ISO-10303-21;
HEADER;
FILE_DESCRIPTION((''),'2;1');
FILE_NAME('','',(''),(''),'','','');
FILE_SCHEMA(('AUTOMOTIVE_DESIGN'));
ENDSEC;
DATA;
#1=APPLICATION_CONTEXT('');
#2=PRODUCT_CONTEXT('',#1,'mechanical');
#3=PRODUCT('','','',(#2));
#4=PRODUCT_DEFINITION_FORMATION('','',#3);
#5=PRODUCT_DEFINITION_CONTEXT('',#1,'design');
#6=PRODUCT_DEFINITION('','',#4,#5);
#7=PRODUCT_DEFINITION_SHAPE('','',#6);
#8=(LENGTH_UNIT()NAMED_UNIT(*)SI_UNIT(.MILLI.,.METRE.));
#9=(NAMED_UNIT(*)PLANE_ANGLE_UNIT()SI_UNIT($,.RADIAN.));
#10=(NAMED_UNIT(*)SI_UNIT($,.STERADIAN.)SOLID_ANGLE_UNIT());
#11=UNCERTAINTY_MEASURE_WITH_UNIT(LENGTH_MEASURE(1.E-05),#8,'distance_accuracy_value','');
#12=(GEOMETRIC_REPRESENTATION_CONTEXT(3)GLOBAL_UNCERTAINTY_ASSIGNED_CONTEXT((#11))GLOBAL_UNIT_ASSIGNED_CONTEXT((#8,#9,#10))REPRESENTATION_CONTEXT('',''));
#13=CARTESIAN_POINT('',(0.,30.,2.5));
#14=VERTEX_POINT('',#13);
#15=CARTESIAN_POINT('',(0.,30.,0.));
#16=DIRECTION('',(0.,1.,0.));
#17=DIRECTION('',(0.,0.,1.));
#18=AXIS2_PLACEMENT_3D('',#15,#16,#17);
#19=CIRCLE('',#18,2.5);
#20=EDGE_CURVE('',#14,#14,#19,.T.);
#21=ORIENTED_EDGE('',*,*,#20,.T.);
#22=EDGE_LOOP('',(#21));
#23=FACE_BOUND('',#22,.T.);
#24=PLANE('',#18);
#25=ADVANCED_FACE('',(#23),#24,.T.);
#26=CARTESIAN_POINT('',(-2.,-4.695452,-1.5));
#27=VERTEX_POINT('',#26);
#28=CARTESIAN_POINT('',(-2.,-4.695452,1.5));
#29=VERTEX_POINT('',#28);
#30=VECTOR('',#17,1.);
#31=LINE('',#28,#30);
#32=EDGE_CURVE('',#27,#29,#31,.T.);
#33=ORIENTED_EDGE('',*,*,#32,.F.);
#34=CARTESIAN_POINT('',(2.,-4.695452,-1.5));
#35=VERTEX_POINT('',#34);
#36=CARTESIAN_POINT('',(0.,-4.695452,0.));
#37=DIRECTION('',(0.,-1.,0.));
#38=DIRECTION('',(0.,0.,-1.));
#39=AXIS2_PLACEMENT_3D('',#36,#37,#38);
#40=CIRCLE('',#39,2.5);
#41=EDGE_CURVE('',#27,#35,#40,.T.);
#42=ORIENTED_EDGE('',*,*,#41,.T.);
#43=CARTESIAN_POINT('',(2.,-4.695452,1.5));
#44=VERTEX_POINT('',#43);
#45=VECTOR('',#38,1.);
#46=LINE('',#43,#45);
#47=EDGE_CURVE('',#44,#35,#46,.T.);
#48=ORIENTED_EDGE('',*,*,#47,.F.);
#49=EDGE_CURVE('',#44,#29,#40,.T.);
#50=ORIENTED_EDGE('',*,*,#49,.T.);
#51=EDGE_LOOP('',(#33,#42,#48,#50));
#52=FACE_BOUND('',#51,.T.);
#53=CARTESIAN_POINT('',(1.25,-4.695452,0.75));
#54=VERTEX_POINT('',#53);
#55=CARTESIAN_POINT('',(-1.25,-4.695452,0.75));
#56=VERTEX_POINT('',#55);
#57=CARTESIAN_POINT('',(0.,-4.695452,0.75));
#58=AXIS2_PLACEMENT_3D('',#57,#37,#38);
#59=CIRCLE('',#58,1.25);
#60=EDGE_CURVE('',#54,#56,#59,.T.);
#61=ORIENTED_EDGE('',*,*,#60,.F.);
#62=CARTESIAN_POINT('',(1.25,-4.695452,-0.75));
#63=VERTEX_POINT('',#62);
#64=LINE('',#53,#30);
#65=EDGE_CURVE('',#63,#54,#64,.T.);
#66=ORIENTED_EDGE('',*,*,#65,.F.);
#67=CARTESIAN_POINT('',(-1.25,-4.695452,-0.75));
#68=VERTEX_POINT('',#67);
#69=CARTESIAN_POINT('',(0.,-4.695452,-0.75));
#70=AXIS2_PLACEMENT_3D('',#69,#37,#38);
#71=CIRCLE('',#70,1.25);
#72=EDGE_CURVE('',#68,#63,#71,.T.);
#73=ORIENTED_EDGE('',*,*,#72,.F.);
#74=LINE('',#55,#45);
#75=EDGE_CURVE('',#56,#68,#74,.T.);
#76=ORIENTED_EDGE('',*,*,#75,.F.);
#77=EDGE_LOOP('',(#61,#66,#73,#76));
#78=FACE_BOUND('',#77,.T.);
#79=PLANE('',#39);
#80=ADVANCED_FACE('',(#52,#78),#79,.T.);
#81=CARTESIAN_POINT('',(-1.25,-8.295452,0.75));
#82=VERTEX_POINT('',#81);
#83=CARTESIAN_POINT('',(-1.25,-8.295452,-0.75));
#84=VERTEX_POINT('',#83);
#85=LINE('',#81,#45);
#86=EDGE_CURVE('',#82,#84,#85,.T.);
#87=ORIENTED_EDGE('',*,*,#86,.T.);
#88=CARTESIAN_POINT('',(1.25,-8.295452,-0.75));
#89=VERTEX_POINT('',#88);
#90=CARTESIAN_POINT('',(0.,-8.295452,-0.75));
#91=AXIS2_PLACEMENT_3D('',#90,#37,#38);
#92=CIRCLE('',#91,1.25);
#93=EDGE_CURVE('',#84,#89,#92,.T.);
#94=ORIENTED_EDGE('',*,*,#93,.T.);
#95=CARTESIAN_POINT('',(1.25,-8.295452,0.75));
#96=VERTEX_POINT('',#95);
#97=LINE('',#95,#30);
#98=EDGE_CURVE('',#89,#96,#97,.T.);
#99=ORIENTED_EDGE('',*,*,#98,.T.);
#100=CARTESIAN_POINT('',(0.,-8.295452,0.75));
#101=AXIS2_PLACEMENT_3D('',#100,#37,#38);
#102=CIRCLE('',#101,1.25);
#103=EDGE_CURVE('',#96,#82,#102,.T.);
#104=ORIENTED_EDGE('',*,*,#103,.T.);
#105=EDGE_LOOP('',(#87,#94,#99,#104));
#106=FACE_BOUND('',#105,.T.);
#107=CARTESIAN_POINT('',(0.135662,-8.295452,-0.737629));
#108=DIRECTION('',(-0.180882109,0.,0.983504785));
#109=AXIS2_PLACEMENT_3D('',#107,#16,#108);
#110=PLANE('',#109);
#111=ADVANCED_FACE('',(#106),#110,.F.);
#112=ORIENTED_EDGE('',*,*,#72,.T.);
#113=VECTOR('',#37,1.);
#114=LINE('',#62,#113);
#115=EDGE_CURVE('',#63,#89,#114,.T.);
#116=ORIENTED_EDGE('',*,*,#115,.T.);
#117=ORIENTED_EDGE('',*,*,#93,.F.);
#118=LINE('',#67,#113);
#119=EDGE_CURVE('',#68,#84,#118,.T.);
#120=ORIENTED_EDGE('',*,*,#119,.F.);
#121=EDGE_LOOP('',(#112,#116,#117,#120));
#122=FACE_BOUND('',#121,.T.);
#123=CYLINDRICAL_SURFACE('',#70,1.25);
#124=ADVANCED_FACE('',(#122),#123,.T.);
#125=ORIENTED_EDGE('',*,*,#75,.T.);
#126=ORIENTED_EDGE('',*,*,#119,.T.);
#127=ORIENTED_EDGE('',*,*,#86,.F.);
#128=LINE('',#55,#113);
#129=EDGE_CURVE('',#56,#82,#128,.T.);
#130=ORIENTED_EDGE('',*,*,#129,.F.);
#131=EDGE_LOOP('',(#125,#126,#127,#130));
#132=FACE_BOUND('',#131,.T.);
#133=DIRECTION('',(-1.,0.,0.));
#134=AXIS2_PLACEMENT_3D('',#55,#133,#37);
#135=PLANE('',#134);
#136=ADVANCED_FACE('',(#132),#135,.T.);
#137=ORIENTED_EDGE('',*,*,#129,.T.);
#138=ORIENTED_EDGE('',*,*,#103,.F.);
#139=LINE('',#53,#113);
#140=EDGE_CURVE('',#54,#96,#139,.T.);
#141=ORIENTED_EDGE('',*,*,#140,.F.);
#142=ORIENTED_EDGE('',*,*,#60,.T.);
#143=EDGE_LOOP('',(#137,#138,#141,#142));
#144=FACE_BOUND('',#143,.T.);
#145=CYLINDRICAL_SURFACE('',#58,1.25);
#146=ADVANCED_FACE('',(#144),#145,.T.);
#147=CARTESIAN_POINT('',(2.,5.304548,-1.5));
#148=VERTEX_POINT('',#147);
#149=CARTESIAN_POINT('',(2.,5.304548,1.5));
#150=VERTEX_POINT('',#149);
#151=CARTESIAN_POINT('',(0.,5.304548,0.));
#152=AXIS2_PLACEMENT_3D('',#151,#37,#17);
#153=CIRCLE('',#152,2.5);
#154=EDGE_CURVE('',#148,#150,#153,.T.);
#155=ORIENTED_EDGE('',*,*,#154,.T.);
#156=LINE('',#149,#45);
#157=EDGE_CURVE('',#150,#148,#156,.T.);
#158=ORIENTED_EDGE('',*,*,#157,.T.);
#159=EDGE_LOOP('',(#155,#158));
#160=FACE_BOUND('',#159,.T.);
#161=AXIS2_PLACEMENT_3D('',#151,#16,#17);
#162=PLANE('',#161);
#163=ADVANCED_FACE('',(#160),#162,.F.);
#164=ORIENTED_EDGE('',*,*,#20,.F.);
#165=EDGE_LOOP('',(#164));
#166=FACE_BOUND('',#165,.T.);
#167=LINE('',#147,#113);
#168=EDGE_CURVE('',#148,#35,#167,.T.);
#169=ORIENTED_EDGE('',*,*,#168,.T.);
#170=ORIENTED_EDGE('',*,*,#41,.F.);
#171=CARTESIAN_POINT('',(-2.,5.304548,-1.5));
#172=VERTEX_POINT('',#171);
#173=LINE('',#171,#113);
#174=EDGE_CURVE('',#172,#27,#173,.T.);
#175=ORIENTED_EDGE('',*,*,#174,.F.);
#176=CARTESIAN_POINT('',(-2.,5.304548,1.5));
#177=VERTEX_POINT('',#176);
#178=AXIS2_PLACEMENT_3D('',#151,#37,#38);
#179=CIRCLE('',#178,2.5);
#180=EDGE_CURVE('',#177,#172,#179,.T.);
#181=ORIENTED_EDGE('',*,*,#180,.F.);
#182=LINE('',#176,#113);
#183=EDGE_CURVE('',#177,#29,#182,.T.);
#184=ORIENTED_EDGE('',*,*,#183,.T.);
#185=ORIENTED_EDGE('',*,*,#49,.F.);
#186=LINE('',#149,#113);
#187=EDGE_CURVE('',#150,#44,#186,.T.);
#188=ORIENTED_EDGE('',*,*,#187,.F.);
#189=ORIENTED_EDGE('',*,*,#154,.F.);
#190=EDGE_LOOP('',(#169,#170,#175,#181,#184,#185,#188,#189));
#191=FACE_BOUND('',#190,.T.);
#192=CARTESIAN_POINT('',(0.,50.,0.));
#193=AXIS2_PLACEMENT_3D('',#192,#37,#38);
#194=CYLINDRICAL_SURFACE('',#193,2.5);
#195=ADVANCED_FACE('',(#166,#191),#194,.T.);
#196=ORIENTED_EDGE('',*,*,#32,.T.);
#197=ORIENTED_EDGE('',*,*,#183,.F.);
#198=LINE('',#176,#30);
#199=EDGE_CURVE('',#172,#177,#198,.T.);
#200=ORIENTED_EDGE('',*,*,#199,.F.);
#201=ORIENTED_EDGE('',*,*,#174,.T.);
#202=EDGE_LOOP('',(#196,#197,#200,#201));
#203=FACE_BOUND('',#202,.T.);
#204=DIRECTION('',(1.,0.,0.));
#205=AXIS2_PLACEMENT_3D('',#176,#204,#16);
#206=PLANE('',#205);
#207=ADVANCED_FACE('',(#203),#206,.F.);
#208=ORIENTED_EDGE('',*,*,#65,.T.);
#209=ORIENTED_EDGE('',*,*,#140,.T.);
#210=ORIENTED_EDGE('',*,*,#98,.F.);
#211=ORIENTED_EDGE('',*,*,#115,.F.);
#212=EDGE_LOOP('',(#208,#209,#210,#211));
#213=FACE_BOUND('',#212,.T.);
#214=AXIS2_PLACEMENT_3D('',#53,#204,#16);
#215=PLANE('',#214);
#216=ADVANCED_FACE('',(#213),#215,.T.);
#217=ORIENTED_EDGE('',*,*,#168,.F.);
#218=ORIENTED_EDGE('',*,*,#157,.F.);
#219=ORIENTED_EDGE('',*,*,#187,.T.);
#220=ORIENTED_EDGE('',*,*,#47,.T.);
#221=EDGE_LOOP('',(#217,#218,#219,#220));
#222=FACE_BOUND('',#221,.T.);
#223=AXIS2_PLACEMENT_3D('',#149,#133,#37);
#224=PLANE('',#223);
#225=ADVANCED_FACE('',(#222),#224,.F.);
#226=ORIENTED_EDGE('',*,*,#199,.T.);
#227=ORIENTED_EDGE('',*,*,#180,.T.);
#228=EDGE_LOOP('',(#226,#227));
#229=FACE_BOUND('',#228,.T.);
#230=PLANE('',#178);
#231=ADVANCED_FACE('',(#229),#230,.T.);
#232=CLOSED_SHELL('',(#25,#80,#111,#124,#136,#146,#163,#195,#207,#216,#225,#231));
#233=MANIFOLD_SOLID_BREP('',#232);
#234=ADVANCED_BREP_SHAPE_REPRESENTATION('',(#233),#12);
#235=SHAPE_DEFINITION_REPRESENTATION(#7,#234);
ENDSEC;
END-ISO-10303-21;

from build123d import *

# Parameters (mm, degrees)
SKETCH1_R           = 2.5
BOSS_EXTRUDE1_DEPTH = 50
BOSS_EXTRUDE2_START = 8.295452371
SKETCH2_R           = 2.5
BOSS_EXTRUDE2_DEPTH = 8.295452371
SKETCH4_OUTSIDE_W   = 18.744
SKETCH4_OUTSIDE_H   = 18.744
CUT_EXTRUDE1_DEPTH  = 3.6
CUT_EXTRUDE2_DEPTH  = 10
CUT_EXTRUDE3_START  = -20
SKETCH7_R           = 2.5
CUT_EXTRUDE3_DEPTH  = 20


with BuildPart() as part:
    # Sketch1 → Boss-Extrude1 (new body)
    with BuildSketch(Plane(origin=(0, 0, 0), x_dir=(1, 0, 0), z_dir=(0, 1, 0))):
        with Locations(Location((0, 0, 0), (0, 0, 270))):
            Circle(SKETCH1_R)
    extrude(amount=BOSS_EXTRUDE1_DEPTH)

    # Sketch2 → Boss-Extrude2 (add)
    with BuildSketch(Plane(origin=(0, 0, 0), x_dir=(-1, 0, 0), z_dir=(0, -1, 0)).offset(BOSS_EXTRUDE2_START)):
        with Locations(Location((0, 0, 0), (0, 0, 270))):
            Circle(SKETCH2_R)
    extrude(amount=-BOSS_EXTRUDE2_DEPTH)

    # Sketch4 outside → Cut-Extrude1 (cut)
    with BuildSketch(Plane.XZ.offset(8.295452371)):
        Rectangle(SKETCH4_OUTSIDE_W, SKETCH4_OUTSIDE_H)
        with BuildLine():
            Line((1.25, 0.75), (1.25, -0.75))
            ThreePointArc((1.25, -0.75), (0, -2), (-1.25, -0.75))
            Line((-1.25, -0.75), (-1.25, 0.75))
            ThreePointArc((-1.25, 0.75), (0, 2), (1.25, 0.75))
        make_face(mode=Mode.SUBTRACT)
    extrude(amount=-CUT_EXTRUDE1_DEPTH, mode=Mode.SUBTRACT)

    # Sketch5 → Cut-Extrude2 (cut)
    with BuildSketch(Plane(origin=(0, -4.695452371, 0), x_dir=(-1, 0, 0), z_dir=(0, -1, 0))):
        with BuildLine():
            Line((2, -1.5), (2, 1.5))
            ThreePointArc((2, 1.5), (2.5, 0), (2, -1.5))
        make_face()
        with BuildLine():
            Line((-2, -1.5), (-2, 1.5))
            ThreePointArc((-2, 1.5), (-2.5, 0), (-2, -1.5))
        make_face()
    extrude(amount=-CUT_EXTRUDE2_DEPTH, mode=Mode.SUBTRACT)

    # Sketch7 → Cut-Extrude3 (cut)
    with BuildSketch(Plane(origin=(0, 50, 0), x_dir=(1, 0, 0), z_dir=(0, 1, 0)).offset(CUT_EXTRUDE3_START)):
        with Locations(Location((0, 0, 0), (0, 0, 143.130102354))):
            Circle(SKETCH7_R)
    extrude(amount=CUT_EXTRUDE3_DEPTH, mode=Mode.SUBTRACT)


solid = part.part
